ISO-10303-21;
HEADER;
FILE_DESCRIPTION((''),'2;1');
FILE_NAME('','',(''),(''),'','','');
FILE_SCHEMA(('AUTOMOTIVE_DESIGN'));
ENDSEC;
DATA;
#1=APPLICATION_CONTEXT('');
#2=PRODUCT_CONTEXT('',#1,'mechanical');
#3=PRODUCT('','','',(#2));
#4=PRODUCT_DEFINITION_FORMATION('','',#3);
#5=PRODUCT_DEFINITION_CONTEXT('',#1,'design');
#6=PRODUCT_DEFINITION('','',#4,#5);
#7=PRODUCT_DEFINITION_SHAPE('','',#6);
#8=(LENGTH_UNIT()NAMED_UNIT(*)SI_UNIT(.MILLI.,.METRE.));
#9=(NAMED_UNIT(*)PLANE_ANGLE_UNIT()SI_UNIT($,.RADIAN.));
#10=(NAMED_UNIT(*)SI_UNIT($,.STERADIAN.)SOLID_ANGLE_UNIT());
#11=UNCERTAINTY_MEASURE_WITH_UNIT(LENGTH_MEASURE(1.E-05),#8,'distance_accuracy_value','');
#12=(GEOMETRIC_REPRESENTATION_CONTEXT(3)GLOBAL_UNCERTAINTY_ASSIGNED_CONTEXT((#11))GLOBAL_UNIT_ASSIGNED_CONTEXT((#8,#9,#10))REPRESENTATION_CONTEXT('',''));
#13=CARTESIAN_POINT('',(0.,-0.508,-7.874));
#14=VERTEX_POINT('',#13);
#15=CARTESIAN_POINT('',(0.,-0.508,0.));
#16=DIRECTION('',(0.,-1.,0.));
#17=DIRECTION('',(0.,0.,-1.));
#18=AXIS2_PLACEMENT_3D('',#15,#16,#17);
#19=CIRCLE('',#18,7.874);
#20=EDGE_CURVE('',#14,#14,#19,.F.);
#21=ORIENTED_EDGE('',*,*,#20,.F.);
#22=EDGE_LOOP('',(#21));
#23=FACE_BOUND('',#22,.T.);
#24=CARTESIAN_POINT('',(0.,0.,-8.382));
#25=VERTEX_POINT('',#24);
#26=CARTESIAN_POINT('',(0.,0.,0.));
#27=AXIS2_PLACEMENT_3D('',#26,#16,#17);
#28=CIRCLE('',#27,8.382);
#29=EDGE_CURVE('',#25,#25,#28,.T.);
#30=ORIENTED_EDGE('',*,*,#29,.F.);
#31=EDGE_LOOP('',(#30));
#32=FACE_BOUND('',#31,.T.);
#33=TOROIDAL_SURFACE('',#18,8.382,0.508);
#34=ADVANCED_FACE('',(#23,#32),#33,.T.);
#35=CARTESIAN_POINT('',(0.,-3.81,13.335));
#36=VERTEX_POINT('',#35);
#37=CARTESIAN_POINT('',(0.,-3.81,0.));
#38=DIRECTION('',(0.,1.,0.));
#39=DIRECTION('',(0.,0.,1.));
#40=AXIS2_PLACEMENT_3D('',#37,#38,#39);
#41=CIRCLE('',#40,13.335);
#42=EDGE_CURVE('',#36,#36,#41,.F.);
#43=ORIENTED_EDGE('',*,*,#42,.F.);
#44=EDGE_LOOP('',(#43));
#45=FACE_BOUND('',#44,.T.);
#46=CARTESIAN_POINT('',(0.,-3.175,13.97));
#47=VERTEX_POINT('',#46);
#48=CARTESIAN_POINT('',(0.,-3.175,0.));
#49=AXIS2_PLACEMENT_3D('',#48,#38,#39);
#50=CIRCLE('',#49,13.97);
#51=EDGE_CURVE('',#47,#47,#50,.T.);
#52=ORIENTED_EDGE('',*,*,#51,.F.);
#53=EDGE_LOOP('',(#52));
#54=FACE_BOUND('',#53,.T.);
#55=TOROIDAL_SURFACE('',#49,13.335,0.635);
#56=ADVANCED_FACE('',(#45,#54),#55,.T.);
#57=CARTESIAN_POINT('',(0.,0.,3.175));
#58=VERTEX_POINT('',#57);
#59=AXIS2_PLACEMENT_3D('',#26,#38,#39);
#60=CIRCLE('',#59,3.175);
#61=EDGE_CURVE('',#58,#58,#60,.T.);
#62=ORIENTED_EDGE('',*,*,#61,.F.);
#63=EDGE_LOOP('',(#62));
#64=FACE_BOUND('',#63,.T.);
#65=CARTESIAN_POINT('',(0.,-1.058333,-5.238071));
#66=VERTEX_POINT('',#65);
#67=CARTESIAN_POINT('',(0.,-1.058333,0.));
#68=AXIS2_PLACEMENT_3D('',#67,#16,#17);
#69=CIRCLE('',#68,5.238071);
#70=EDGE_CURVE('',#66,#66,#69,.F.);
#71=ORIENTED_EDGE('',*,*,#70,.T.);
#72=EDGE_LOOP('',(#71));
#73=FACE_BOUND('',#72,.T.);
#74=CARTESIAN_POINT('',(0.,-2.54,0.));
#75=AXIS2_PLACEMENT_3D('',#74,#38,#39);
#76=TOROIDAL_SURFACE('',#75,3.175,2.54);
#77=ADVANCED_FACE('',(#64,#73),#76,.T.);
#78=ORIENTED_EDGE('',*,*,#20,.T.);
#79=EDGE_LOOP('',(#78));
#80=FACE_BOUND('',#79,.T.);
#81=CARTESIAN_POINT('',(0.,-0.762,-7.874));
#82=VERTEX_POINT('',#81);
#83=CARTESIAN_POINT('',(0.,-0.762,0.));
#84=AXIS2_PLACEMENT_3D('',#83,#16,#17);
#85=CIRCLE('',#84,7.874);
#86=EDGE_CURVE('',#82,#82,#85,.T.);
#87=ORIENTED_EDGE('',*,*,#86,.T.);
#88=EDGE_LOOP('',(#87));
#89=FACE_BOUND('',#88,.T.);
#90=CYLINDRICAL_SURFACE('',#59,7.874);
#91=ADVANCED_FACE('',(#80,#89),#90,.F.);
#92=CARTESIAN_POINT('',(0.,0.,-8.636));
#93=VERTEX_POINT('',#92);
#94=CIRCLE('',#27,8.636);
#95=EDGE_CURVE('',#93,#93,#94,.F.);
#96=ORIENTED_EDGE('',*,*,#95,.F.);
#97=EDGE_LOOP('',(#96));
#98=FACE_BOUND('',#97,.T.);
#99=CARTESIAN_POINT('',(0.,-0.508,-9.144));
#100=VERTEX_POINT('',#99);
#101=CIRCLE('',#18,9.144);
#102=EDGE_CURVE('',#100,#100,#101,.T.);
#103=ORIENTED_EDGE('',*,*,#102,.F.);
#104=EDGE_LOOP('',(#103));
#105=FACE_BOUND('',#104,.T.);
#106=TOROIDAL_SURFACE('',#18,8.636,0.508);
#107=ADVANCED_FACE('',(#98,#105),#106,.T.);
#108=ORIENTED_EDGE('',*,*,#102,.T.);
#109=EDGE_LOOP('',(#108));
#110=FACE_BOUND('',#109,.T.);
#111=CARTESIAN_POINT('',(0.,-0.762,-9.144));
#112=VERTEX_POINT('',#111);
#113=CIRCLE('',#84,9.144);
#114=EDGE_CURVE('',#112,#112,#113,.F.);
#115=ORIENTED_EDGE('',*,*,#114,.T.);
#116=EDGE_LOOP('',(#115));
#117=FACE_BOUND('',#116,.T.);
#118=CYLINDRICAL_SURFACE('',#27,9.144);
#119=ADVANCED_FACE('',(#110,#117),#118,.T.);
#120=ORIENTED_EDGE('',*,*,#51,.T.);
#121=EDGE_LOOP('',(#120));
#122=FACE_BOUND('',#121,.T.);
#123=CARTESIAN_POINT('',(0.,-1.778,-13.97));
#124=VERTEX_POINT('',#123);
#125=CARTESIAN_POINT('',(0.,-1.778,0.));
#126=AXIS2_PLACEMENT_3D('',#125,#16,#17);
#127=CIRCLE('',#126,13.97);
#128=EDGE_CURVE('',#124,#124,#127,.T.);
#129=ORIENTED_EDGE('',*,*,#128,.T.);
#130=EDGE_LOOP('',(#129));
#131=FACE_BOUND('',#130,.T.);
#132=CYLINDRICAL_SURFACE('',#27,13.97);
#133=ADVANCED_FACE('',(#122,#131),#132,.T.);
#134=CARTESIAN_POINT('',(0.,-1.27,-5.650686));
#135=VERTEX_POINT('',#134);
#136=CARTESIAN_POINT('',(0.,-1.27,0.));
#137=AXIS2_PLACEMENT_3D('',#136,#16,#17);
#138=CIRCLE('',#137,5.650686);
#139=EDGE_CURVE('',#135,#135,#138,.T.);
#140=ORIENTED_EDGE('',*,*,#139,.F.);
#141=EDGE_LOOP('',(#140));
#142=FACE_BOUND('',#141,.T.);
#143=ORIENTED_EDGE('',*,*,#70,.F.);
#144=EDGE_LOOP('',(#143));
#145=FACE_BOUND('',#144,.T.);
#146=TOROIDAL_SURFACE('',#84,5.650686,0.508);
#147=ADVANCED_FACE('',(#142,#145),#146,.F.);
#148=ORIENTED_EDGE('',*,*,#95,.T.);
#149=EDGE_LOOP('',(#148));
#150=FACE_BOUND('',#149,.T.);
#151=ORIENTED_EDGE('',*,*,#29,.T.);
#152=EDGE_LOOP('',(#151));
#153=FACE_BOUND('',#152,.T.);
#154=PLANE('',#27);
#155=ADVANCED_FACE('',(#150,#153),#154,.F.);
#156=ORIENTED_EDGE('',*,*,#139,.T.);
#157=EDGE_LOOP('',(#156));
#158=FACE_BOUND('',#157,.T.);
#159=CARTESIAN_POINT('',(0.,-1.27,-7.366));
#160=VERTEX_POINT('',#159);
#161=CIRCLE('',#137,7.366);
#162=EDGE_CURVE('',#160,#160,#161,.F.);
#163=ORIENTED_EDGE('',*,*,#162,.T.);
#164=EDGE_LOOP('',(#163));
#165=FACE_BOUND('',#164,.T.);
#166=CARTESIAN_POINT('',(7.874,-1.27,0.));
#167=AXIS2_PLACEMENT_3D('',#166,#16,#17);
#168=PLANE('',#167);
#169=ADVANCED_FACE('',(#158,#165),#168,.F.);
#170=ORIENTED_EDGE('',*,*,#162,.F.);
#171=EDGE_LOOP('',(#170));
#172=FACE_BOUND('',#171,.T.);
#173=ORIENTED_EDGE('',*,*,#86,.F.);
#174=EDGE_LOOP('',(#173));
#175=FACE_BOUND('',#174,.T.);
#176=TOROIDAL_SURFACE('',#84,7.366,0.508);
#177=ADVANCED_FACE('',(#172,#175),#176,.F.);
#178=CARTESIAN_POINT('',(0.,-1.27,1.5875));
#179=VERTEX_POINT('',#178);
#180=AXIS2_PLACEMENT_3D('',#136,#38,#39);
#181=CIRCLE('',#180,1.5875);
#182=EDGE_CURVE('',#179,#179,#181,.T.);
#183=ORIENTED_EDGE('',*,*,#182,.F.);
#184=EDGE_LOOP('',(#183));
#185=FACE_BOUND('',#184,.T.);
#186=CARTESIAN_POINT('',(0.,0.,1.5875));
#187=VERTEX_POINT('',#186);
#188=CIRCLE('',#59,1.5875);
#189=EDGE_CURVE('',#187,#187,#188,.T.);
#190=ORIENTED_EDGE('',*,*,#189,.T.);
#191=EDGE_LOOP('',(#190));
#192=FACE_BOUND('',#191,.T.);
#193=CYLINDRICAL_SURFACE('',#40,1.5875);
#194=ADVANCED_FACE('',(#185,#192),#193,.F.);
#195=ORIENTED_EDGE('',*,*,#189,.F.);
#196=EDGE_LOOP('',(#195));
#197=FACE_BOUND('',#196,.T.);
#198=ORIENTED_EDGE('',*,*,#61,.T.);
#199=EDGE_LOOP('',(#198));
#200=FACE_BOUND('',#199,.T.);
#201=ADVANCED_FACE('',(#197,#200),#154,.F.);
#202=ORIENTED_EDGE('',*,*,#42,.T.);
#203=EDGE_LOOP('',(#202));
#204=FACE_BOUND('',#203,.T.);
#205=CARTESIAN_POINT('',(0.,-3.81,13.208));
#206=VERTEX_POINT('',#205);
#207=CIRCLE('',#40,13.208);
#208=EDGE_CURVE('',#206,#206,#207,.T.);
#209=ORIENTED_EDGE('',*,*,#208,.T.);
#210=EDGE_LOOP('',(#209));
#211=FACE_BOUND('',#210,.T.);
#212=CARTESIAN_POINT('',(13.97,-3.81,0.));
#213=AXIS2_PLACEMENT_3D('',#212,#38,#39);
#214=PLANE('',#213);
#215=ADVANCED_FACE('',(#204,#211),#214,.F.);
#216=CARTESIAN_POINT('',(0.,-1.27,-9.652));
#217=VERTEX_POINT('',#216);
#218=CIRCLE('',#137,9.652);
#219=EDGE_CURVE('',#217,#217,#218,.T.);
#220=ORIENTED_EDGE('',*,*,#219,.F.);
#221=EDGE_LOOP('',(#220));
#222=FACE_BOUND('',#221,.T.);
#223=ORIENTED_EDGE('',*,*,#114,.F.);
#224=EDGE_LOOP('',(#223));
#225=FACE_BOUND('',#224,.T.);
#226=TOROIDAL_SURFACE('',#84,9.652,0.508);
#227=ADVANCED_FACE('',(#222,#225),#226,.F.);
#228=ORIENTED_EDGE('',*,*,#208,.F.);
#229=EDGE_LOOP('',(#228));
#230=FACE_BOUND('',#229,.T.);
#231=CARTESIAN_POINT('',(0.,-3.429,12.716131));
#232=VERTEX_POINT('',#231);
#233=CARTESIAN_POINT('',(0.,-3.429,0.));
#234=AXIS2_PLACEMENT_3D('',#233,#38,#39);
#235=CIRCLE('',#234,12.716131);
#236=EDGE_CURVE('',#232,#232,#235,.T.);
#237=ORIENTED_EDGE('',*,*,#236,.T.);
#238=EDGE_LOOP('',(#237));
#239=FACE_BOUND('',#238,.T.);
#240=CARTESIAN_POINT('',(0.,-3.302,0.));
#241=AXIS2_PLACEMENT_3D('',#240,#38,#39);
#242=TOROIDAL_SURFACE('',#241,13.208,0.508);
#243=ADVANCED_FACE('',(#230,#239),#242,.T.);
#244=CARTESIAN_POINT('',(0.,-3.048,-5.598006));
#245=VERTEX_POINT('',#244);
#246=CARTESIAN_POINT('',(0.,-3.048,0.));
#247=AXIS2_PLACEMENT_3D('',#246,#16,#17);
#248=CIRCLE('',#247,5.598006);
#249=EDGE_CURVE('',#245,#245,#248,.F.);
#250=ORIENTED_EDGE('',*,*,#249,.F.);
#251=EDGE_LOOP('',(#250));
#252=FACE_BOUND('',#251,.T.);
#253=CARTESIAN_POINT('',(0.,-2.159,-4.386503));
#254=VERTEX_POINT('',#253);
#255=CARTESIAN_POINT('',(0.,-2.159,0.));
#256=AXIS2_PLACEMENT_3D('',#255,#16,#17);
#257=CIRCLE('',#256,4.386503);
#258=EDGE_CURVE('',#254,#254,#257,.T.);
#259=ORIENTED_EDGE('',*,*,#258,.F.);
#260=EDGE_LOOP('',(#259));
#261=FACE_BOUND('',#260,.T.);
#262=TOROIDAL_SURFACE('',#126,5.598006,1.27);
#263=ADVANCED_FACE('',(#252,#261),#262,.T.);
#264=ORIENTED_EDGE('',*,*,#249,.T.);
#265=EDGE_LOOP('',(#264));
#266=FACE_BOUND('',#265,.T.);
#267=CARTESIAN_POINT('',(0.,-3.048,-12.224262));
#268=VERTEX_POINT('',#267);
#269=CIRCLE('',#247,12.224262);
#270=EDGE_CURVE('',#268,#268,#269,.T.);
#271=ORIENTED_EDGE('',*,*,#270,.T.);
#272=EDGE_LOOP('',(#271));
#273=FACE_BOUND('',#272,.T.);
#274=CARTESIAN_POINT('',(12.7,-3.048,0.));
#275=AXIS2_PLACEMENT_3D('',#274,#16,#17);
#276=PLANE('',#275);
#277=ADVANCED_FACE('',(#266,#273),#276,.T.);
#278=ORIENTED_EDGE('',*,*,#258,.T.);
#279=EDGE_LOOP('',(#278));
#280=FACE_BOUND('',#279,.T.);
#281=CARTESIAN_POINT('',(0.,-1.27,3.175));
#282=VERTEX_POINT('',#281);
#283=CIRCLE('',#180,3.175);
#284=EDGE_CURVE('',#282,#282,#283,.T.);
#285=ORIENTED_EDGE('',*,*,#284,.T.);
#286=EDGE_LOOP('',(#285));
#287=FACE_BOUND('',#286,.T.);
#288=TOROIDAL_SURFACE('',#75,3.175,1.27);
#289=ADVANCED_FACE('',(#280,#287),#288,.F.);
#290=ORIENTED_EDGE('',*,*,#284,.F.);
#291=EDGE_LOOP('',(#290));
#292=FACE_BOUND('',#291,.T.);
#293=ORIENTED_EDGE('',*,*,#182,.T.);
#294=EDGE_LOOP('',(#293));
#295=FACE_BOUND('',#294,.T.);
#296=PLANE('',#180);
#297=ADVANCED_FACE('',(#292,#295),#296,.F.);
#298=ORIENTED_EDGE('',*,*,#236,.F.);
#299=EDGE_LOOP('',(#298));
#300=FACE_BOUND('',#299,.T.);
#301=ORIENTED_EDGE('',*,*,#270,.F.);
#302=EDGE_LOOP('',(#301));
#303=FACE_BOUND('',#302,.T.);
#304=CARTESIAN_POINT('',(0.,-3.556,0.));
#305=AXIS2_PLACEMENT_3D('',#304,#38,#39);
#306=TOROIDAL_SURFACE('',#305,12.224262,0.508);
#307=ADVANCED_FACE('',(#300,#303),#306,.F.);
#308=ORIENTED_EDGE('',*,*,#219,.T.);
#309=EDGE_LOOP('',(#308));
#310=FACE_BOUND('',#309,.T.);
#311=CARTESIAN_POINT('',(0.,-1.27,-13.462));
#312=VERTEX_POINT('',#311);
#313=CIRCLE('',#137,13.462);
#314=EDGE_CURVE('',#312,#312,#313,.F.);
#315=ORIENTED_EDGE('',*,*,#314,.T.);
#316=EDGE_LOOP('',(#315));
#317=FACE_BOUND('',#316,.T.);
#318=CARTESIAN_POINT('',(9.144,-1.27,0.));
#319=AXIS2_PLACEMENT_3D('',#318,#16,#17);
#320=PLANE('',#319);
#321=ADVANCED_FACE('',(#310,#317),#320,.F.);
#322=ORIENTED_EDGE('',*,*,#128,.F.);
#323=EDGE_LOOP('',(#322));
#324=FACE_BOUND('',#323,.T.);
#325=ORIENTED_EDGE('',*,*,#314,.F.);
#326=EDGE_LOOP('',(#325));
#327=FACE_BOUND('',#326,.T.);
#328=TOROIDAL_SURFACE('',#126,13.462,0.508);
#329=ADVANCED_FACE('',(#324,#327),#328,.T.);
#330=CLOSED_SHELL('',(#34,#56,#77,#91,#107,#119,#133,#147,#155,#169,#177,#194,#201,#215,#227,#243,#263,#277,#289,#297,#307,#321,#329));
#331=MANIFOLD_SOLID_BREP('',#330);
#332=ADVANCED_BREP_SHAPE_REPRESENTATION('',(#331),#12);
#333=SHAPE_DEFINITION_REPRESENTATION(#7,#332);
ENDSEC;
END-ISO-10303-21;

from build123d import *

# Parameters (mm, degrees)
FILLET1_R           = 0.635
FILLET4_R           = 0.508
FILLET5_R           = 0.508
FILLET6_R           = 1.27
FILLET7_R           = 0.508
SKETCH4_R           = 1.5875
MOUNTING_HOLE_DEPTH = 21.120584145


with BuildPart() as part:
    # Sketch1 → Outside body (revolve)
    with BuildSketch(Plane.XY, mode=Mode.PRIVATE) as outside_body_sk:
        Polygon((0, 0), (9.144, 0), (9.144, -1.27), (13.97, -1.27), (13.97, -3.81), (0, -3.81), align=None)
    revolve(outside_body_sk.sketch.rotate(Axis((0, 0, 0), (0, 1, 0)), 90), axis=Axis((0, 0, 0), (0, 1, 0)))

    # Sketch2 → Top (revolve, cut)
    with BuildSketch(Plane.XY, mode=Mode.PRIVATE) as top_sk:
        with BuildLine():
            Line((7.874, 0), (7.874, -1.27))
            Line((7.874, -1.27), (5.374704526, -1.27))
            ThreePointArc((5.374704526, -1.27), (4.445, -0.340295474), (3.175, 0))
            Line((3.175, 0), (7.874, 0))
        make_face()
    revolve(top_sk.sketch.rotate(Axis((0, 0, 0), (0, -1, 0)), 90), axis=Axis((0, 0, 0), (0, -1, 0)), mode=Mode.SUBTRACT)

    # Sketch3 → Bottom (revolve, cut)
    with BuildSketch(Plane.XY, mode=Mode.PRIVATE) as bottom_sk:
        with BuildLine():
            Line((12.7, -3.81), (0, -3.81))
            Line((0, -3.81), (0, -1.27))
            Line((0, -1.27), (3.175, -1.27))
            ThreePointArc((3.175, -1.27), (4.237558234, -1.844392352), (4.338974227, -3.048))
            Line((4.338974227, -3.048), (12.7, -3.048))
            Line((12.7, -3.048), (12.7, -3.81))
        make_face()
    revolve(bottom_sk.sketch.rotate(Axis((0, 0, 0), (0, -1, 0)), 90), axis=Axis((0, 0, 0), (0, -1, 0)), mode=Mode.SUBTRACT)

    # Fillet1
    fillet1_edges = [part.edges().sort_by_distance(p)[0] for p in [
        (0, -3.81, 13.97),
    ]]
    fillet(fillet1_edges, radius=FILLET1_R)

    # Fillet4
    fillet4_edges = [part.edges().sort_by_distance(p)[0] for p in [
        (0, -3.81, -12.7),
    ]]
    fillet(fillet4_edges, radius=FILLET4_R)

    # Fillet5
    fillet5_edges = [part.edges().sort_by_distance(p)[0] for p in [
        (0, -3.048, -12.7),
        (0, -3.302, -12.7),
    ]]
    fillet(fillet5_edges, radius=FILLET5_R)

    # Fillet6
    fillet6_edges = [part.edges().sort_by_distance(p)[0] for p in [
        (0, -3.048, -4.338974227),
    ]]
    fillet(fillet6_edges, radius=FILLET6_R)

    # Fillet7
    fillet7_edges = [part.edges().sort_by_distance(p)[0] for p in [
        (0, 0, -7.874),
        (0, -1.27, -5.374704526),
        (0, -1.27, -7.874),
        (0, -1.27, 13.97),
        (0, -1.27, 9.144),
        (0, 0, 9.144),
    ]]
    fillet(fillet7_edges, radius=FILLET7_R)

    # Sketch4 → Mounting Hole (cut, through all)
    with BuildSketch(Plane(origin=(0, 0, 0), x_dir=(-1, 0, 0), z_dir=(0, 1, 0))):
        with Locations(Location((0, 0, 0), (0, 0, 90))):
            Circle(SKETCH4_R)
    extrude(amount=-MOUNTING_HOLE_DEPTH, mode=Mode.SUBTRACT)


solid = part.part
